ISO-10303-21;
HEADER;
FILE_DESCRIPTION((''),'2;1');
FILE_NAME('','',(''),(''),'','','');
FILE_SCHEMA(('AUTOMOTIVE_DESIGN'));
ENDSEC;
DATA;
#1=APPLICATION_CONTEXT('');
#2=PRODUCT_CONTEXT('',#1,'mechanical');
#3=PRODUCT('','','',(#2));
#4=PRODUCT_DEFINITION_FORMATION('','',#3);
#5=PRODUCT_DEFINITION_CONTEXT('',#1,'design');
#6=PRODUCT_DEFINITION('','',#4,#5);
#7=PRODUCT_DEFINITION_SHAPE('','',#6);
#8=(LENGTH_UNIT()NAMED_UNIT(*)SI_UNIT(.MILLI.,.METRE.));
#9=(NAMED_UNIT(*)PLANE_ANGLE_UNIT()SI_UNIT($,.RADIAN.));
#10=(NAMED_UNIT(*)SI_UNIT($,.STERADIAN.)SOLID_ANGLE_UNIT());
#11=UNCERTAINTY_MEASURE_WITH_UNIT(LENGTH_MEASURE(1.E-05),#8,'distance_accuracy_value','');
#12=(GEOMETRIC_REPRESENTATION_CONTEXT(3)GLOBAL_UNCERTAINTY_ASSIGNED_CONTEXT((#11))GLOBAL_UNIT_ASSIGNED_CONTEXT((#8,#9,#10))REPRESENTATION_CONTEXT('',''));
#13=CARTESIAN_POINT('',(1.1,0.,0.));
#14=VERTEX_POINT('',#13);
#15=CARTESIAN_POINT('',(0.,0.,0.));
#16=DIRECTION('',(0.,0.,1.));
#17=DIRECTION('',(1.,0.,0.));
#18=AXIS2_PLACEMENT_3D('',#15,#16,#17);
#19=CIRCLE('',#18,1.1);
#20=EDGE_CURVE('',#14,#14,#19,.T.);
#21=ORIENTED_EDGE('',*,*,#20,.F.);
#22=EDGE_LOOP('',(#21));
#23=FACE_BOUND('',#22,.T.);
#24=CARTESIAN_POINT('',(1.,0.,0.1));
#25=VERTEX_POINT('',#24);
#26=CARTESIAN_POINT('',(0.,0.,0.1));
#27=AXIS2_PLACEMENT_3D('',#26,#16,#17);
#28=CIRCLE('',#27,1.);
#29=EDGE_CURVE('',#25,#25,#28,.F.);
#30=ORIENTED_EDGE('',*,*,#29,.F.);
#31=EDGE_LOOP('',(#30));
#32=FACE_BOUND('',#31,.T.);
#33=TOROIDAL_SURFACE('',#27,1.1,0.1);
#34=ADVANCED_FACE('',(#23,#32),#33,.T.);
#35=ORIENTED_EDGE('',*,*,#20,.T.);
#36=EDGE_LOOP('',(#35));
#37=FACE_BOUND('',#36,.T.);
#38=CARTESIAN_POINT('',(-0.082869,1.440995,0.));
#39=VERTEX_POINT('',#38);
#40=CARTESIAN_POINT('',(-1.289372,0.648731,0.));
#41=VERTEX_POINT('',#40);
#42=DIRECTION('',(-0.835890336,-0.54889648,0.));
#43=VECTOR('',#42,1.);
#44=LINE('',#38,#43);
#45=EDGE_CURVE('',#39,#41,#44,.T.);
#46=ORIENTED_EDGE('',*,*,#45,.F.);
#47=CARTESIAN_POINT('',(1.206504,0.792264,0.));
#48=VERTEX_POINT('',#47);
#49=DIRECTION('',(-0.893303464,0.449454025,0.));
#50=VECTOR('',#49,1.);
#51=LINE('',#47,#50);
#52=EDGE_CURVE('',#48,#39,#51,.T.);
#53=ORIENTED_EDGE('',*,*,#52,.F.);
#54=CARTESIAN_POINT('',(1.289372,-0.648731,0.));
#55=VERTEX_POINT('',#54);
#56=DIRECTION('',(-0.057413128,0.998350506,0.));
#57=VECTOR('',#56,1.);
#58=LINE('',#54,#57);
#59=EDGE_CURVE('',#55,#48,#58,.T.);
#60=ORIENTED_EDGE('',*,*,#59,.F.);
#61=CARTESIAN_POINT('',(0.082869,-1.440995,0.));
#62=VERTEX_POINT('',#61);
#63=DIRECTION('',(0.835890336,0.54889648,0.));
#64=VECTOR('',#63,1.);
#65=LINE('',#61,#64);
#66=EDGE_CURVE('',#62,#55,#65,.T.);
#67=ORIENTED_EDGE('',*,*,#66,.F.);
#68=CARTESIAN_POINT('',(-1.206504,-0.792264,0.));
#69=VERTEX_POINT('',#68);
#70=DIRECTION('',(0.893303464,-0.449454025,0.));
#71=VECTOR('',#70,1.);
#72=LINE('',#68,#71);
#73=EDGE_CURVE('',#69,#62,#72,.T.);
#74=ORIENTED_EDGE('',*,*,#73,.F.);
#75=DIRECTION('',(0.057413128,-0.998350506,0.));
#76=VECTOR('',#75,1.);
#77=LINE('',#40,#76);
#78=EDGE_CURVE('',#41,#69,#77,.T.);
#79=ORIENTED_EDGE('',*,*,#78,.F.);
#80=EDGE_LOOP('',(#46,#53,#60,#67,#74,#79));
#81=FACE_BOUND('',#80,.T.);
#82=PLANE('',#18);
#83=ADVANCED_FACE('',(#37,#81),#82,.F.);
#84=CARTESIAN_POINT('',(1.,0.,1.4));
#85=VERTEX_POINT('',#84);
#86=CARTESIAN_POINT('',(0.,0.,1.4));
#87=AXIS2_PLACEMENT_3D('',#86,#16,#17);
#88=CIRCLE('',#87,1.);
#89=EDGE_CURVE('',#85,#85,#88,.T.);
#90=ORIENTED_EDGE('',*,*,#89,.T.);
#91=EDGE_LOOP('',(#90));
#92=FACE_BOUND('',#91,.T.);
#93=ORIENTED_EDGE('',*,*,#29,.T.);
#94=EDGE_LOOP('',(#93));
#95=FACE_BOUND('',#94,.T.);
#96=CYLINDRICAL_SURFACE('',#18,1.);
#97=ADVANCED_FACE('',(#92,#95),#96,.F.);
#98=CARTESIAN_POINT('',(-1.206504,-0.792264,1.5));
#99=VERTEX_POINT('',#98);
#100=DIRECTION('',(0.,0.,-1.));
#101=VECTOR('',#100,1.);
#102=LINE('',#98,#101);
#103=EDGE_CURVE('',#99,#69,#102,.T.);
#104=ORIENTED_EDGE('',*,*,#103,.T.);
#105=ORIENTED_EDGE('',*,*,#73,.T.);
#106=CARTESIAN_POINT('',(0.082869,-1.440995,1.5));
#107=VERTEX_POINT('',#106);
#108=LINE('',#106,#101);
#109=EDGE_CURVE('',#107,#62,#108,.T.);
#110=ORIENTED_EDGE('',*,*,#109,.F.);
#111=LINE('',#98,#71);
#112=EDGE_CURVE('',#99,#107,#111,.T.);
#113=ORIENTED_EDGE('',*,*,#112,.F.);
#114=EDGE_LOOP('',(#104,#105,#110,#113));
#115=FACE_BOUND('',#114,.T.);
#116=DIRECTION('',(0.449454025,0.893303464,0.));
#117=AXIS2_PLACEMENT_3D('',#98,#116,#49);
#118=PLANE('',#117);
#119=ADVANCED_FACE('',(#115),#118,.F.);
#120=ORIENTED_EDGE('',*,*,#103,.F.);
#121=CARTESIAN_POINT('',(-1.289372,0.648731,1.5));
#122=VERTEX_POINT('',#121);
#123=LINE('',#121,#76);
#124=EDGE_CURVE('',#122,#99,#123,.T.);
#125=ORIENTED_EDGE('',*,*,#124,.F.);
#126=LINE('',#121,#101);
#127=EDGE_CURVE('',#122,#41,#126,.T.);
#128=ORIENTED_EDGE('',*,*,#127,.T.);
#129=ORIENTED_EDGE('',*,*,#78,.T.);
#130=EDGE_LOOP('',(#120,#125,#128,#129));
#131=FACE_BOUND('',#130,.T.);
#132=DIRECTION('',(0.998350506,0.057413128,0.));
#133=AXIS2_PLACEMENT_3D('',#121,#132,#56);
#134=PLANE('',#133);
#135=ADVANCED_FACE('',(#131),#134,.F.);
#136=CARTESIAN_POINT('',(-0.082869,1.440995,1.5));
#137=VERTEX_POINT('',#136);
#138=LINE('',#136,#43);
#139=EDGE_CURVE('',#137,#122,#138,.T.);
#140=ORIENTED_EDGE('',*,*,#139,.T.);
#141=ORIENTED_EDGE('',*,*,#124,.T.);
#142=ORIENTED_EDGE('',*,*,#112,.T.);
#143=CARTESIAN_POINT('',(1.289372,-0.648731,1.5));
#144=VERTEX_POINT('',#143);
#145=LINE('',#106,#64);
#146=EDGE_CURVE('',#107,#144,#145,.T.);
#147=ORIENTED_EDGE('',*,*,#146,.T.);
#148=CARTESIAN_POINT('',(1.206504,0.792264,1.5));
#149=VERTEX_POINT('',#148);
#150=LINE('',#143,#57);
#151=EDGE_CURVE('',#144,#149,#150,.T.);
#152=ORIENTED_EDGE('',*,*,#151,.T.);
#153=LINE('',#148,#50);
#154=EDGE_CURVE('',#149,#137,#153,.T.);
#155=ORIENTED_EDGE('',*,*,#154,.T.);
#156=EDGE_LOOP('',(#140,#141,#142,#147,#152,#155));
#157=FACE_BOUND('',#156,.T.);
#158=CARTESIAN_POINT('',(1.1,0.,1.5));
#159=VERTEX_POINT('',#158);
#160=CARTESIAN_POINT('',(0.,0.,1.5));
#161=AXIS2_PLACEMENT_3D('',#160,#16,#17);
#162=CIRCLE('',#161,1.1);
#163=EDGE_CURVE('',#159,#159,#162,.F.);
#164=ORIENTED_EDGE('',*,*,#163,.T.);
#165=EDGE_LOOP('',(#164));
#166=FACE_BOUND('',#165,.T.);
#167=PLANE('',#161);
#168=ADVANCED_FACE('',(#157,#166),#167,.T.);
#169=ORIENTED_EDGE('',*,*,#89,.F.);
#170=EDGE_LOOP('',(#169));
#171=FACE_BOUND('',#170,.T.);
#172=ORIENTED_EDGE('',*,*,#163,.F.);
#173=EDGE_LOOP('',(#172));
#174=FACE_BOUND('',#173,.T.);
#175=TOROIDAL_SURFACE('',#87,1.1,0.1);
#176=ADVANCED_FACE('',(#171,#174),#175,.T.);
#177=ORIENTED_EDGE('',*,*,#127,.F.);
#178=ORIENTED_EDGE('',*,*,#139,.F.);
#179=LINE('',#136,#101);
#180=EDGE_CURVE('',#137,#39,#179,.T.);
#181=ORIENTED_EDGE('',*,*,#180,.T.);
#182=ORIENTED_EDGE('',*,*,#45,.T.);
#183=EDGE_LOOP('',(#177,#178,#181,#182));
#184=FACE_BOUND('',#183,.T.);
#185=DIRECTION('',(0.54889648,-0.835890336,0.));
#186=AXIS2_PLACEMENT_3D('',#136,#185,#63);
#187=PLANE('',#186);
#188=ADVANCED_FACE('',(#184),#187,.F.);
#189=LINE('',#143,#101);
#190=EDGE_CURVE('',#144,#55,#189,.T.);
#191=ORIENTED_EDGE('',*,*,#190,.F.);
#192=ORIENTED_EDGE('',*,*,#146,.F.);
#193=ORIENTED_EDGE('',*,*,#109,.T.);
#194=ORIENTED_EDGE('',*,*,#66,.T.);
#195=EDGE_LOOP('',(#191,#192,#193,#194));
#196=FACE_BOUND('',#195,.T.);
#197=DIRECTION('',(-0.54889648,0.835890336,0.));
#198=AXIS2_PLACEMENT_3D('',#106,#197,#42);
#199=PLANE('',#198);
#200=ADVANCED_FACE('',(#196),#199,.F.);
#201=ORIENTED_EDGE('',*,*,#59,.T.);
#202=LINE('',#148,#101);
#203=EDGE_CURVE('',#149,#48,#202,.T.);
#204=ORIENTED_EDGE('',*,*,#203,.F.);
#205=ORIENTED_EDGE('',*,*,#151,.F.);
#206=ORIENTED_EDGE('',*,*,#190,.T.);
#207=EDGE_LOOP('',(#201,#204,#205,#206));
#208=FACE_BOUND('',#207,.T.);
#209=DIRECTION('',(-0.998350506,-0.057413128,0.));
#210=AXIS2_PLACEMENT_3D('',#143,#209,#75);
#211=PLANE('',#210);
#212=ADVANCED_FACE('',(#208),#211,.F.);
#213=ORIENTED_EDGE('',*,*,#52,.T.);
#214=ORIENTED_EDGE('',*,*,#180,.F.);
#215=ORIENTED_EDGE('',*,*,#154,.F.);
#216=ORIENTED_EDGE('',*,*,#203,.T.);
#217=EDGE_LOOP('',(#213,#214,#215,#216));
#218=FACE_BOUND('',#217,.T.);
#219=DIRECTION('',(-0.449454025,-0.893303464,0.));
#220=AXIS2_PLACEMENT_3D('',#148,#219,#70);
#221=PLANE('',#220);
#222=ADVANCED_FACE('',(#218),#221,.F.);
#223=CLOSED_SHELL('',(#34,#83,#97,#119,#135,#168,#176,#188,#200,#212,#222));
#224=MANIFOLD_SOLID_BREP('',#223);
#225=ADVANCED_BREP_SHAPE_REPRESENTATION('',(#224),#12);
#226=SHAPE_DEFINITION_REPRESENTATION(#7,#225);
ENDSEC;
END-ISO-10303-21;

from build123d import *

# Parameters (mm, degrees)
BOSS_EXTRUDE1_DEPTH     = 1.5
CUT_EXTRUDE1_DEPTH      = 3.447232626
CUT_EXTRUDE1_DEPTH_BACK = 3.447232626
SKETCH2_R               = 1
FILLET1_R               = 0.1


with BuildPart() as part:
    # Sketch1 → Boss-Extrude1 (new body)
    with BuildSketch(Plane.XY):
        Polygon((-0.082868712, 1.440994833), (-1.289372489, 0.648731007), (-1.206503776, -0.792263827), (0.082868712, -1.440994833), (1.289372489, -0.648731007), (1.206503776, 0.792263827), align=None)
    extrude(amount=BOSS_EXTRUDE1_DEPTH)

    # Sketch2 → Cut-Extrude1 (cut, two sides: drawn at the far end of the back side and taken through both)
    with BuildSketch(Plane.XY.offset(1.5).offset(-CUT_EXTRUDE1_DEPTH_BACK)):
        Circle(SKETCH2_R)
    extrude(amount=CUT_EXTRUDE1_DEPTH + CUT_EXTRUDE1_DEPTH_BACK, mode=Mode.SUBTRACT)

    # Fillet1
    fillet1_edges = [part.edges().sort_by_distance(p)[0] for p in [
        (-1, 0, 1.5),
        (-1, 0, 0),
    ]]
    fillet(fillet1_edges, radius=FILLET1_R)


solid = part.part
